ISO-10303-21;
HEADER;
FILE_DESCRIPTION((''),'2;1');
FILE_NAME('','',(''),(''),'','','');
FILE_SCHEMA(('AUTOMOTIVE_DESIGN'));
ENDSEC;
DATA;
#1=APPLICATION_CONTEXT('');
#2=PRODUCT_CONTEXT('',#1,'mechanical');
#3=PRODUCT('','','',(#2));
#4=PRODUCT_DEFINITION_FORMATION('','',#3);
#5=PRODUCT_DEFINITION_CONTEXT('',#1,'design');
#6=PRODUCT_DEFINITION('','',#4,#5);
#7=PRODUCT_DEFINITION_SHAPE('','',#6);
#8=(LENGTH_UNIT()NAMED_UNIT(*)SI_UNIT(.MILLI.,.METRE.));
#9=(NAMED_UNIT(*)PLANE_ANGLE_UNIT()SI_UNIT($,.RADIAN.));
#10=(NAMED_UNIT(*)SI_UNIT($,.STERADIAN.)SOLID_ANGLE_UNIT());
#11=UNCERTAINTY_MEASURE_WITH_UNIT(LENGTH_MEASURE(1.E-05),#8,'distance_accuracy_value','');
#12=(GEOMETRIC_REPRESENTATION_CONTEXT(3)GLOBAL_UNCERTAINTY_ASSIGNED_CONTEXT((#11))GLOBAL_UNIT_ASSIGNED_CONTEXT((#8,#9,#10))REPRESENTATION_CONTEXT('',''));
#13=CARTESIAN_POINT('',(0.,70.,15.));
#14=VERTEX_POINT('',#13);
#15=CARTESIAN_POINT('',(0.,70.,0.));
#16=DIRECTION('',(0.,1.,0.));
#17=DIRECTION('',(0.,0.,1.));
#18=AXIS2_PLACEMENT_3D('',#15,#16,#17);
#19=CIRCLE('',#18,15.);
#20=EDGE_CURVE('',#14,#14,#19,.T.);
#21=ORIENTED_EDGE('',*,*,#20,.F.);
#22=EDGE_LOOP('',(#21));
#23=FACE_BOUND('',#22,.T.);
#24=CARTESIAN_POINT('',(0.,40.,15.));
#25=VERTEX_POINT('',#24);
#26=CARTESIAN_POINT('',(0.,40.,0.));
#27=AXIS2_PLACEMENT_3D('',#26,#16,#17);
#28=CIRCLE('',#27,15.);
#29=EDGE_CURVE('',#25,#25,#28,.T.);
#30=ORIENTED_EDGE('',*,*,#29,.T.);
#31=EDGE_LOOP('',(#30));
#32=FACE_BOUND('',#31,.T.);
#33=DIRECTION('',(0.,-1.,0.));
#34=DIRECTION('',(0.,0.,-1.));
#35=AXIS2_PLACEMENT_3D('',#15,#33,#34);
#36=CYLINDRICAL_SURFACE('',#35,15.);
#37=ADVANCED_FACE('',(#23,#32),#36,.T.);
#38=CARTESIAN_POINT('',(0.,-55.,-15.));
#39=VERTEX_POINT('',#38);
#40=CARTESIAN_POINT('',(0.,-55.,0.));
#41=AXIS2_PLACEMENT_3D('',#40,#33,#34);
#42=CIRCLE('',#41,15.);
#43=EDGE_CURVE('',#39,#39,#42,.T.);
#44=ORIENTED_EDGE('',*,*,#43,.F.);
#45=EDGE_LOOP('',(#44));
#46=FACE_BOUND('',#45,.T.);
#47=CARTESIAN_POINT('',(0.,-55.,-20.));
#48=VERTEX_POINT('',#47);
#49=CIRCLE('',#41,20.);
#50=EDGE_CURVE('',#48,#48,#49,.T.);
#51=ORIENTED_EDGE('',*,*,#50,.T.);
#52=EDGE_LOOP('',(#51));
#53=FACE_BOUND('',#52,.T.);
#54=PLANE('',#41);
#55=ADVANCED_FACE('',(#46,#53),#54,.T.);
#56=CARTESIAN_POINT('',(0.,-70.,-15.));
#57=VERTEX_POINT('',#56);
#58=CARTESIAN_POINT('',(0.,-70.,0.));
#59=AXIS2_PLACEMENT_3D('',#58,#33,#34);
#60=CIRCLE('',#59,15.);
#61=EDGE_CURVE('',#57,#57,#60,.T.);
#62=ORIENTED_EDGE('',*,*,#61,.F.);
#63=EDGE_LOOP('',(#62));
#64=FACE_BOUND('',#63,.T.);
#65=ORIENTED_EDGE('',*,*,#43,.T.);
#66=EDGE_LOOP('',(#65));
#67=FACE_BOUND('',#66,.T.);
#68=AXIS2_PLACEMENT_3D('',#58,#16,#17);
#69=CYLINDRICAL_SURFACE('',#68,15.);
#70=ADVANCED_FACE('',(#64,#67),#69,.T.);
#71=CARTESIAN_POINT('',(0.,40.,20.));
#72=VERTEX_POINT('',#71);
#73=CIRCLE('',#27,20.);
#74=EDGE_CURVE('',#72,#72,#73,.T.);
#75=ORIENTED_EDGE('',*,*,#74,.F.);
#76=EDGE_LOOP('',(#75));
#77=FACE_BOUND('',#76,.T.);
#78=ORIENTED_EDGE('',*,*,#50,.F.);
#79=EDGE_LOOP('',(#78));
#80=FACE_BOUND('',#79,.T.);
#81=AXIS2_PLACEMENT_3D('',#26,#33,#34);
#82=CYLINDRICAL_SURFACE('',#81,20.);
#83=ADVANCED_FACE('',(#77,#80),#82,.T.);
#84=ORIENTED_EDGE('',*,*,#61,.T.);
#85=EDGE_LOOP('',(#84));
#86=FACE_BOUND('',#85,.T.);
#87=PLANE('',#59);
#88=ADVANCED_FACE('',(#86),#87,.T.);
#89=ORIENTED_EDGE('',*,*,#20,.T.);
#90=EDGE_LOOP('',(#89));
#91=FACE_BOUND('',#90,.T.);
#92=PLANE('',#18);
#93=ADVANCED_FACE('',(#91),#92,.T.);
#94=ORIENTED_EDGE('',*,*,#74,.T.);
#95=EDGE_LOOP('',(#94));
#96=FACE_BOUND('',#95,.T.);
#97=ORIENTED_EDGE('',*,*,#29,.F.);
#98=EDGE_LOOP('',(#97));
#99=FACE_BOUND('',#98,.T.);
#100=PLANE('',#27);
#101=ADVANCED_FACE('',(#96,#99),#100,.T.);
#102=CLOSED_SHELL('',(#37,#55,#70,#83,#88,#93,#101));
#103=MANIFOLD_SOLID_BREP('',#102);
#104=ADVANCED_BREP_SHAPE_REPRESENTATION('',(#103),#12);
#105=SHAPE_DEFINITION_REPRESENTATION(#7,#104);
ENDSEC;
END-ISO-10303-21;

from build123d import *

# Parameters (mm, degrees)
SKETCH1_R           = 20
BOSS_EXTRUDE1_DEPTH = 40
SKETCH2_R           = 15
BOSS_EXTRUDE2_DEPTH = 30
SKETCH3_R           = 15
BOSS_EXTRUDE3_DEPTH = 30
SKETCH4_R           = 20
BOSS_EXTRUDE4_DEPTH = 15


with BuildPart() as part:
    # Sketch1 → Boss-Extrude1 (new body, symmetric)
    with BuildSketch(Plane(origin=(0, 0, 0), x_dir=(1, 0, 0), z_dir=(0, 1, 0))):
        Circle(SKETCH1_R)
    extrude(amount=BOSS_EXTRUDE1_DEPTH, both=True)

    # Sketch2 → Boss-Extrude2 (add)
    with BuildSketch(Plane(origin=(0, 40, 0), x_dir=(1, 0, 0), z_dir=(0, 1, 0))):
        Circle(SKETCH2_R)
    extrude(amount=BOSS_EXTRUDE2_DEPTH)

    # Sketch3 → Boss-Extrude3 (add)
    with BuildSketch(Plane.XZ.offset(40)):
        Circle(SKETCH3_R)
    extrude(amount=BOSS_EXTRUDE3_DEPTH)

    # Sketch4 → Boss-Extrude4 (add)
    with BuildSketch(Plane.XZ.offset(40)):
        Circle(SKETCH4_R)
    extrude(amount=BOSS_EXTRUDE4_DEPTH)


solid = part.part
